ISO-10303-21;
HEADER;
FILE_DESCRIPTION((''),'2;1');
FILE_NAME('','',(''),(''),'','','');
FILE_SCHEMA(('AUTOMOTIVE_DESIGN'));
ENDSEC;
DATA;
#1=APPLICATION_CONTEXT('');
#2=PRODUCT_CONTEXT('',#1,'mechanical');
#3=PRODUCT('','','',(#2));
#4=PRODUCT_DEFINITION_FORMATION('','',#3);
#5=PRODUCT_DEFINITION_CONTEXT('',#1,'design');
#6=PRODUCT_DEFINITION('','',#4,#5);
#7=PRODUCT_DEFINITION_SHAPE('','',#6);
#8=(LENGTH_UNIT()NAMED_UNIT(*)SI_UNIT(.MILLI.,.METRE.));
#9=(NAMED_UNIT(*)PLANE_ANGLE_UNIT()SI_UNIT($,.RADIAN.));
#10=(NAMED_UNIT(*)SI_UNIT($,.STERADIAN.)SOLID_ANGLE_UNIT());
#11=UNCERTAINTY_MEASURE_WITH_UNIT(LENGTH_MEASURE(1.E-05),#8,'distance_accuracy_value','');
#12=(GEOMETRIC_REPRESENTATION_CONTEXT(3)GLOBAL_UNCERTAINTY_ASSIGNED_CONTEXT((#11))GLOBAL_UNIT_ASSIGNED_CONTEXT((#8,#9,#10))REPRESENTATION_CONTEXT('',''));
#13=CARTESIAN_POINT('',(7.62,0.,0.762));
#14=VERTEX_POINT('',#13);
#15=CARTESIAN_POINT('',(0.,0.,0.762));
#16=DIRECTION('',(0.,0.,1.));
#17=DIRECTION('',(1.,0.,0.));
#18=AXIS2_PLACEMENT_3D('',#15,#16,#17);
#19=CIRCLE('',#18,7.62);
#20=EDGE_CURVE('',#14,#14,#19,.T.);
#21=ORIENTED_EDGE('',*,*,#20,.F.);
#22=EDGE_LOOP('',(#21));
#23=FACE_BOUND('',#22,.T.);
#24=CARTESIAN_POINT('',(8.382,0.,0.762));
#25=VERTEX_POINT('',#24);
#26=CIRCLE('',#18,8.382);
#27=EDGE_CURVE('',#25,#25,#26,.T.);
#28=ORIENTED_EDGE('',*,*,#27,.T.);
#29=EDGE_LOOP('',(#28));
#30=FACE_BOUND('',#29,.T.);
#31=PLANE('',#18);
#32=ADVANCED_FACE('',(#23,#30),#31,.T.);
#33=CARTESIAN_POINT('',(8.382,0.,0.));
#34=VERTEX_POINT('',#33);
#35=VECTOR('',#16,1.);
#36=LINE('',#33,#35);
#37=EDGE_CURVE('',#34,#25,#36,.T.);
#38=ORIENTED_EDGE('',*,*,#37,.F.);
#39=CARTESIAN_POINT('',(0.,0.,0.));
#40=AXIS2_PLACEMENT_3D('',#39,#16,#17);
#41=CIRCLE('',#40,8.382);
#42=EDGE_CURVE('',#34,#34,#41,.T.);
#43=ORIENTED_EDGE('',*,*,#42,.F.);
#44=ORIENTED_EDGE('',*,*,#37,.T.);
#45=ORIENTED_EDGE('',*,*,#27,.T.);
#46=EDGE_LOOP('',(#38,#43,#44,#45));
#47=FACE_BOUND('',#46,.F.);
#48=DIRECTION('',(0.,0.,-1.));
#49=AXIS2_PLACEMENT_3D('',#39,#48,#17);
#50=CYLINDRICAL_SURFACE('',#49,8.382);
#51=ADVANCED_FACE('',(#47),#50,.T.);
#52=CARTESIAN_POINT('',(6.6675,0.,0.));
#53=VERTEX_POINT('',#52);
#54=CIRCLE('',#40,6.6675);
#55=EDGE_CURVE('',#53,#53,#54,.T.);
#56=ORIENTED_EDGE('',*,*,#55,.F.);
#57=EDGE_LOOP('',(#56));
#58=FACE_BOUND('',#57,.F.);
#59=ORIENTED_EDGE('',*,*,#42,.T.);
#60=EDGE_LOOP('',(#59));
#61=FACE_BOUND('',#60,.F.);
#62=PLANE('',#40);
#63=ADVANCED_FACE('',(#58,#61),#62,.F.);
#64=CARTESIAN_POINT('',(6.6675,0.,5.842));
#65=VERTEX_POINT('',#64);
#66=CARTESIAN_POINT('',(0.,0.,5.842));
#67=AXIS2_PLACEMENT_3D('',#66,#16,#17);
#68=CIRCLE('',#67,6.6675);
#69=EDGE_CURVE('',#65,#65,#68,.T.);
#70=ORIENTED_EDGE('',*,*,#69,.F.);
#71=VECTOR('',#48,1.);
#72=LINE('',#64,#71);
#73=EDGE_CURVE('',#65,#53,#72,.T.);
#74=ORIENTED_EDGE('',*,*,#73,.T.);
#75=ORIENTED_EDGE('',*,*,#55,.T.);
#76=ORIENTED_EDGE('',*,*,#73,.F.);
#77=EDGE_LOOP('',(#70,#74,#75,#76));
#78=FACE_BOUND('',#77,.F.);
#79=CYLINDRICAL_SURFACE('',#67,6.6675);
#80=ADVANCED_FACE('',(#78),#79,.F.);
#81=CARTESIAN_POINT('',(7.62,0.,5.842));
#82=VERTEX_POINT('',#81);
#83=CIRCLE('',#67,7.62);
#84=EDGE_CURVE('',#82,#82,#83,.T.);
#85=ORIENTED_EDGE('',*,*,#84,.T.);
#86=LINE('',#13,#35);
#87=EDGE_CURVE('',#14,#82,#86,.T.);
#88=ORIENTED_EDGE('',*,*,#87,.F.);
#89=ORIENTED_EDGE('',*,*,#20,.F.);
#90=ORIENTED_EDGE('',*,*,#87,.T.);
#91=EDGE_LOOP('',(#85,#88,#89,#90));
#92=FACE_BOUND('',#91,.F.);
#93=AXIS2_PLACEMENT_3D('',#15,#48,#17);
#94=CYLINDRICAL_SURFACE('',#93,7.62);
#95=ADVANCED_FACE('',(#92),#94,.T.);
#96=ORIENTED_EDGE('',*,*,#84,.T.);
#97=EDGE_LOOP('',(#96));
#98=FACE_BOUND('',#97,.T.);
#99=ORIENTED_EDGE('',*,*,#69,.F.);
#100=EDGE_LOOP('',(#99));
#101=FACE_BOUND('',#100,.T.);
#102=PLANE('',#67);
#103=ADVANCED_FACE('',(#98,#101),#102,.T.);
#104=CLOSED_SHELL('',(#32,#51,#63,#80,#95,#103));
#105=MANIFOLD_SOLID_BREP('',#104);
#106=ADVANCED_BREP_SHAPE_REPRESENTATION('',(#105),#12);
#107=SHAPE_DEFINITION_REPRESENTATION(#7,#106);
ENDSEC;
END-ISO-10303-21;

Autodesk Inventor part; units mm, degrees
ref_plane "YZ Plane" through (0, 0, 0) normal (1, 0, 0) x (0, 1, 0)
ref_plane "XZ Plane" through (0, 0, 0) normal (0, 1, 0) x (-1, 0, 0)
ref_plane "XY Plane" through (0, 0, 0) normal (0, 0, 1) x (1, 0, 0)
sketch "Sketch1" plane through (0, 0, 0) normal (0, 0, 1) x (1, 0, 0)
  circle A0 centre (0, 0) radius 8.382
  dimension "d0" = 16.764
extrude "Extrusion1" add sketch "Sketch1" along normal blind 0.762
sketch "Sketch3" plane through (0, 0, 0.762) normal (0, 0, 1) x (1, 0, 0)
  circle A0 centre (0, 0) radius 8.382 projected
  circle A1 centre (0, 0) radius 7.62
  dimension "d13" = 15.24
extrude "Extrusion2" add sketch "Sketch3" along normal blind 5.08 contours A1
sketch "Sketch4" plane through (0, 0, 5.842) normal (0, 0, 1) x (1, 0, 0)
  circle A0 centre (0, 0) radius 7.62 projected
  circle A1 centre (0, 0) radius 6.6675
  dimension "d16" = 13.335
extrude "Extrusion3" cut sketch "Sketch4" against normal through all contours A1
thread "Thread2" size "4-40 UNC" class "2B" standard "ANSI Unified Screw Threads" full length
properties part number "base_a"
